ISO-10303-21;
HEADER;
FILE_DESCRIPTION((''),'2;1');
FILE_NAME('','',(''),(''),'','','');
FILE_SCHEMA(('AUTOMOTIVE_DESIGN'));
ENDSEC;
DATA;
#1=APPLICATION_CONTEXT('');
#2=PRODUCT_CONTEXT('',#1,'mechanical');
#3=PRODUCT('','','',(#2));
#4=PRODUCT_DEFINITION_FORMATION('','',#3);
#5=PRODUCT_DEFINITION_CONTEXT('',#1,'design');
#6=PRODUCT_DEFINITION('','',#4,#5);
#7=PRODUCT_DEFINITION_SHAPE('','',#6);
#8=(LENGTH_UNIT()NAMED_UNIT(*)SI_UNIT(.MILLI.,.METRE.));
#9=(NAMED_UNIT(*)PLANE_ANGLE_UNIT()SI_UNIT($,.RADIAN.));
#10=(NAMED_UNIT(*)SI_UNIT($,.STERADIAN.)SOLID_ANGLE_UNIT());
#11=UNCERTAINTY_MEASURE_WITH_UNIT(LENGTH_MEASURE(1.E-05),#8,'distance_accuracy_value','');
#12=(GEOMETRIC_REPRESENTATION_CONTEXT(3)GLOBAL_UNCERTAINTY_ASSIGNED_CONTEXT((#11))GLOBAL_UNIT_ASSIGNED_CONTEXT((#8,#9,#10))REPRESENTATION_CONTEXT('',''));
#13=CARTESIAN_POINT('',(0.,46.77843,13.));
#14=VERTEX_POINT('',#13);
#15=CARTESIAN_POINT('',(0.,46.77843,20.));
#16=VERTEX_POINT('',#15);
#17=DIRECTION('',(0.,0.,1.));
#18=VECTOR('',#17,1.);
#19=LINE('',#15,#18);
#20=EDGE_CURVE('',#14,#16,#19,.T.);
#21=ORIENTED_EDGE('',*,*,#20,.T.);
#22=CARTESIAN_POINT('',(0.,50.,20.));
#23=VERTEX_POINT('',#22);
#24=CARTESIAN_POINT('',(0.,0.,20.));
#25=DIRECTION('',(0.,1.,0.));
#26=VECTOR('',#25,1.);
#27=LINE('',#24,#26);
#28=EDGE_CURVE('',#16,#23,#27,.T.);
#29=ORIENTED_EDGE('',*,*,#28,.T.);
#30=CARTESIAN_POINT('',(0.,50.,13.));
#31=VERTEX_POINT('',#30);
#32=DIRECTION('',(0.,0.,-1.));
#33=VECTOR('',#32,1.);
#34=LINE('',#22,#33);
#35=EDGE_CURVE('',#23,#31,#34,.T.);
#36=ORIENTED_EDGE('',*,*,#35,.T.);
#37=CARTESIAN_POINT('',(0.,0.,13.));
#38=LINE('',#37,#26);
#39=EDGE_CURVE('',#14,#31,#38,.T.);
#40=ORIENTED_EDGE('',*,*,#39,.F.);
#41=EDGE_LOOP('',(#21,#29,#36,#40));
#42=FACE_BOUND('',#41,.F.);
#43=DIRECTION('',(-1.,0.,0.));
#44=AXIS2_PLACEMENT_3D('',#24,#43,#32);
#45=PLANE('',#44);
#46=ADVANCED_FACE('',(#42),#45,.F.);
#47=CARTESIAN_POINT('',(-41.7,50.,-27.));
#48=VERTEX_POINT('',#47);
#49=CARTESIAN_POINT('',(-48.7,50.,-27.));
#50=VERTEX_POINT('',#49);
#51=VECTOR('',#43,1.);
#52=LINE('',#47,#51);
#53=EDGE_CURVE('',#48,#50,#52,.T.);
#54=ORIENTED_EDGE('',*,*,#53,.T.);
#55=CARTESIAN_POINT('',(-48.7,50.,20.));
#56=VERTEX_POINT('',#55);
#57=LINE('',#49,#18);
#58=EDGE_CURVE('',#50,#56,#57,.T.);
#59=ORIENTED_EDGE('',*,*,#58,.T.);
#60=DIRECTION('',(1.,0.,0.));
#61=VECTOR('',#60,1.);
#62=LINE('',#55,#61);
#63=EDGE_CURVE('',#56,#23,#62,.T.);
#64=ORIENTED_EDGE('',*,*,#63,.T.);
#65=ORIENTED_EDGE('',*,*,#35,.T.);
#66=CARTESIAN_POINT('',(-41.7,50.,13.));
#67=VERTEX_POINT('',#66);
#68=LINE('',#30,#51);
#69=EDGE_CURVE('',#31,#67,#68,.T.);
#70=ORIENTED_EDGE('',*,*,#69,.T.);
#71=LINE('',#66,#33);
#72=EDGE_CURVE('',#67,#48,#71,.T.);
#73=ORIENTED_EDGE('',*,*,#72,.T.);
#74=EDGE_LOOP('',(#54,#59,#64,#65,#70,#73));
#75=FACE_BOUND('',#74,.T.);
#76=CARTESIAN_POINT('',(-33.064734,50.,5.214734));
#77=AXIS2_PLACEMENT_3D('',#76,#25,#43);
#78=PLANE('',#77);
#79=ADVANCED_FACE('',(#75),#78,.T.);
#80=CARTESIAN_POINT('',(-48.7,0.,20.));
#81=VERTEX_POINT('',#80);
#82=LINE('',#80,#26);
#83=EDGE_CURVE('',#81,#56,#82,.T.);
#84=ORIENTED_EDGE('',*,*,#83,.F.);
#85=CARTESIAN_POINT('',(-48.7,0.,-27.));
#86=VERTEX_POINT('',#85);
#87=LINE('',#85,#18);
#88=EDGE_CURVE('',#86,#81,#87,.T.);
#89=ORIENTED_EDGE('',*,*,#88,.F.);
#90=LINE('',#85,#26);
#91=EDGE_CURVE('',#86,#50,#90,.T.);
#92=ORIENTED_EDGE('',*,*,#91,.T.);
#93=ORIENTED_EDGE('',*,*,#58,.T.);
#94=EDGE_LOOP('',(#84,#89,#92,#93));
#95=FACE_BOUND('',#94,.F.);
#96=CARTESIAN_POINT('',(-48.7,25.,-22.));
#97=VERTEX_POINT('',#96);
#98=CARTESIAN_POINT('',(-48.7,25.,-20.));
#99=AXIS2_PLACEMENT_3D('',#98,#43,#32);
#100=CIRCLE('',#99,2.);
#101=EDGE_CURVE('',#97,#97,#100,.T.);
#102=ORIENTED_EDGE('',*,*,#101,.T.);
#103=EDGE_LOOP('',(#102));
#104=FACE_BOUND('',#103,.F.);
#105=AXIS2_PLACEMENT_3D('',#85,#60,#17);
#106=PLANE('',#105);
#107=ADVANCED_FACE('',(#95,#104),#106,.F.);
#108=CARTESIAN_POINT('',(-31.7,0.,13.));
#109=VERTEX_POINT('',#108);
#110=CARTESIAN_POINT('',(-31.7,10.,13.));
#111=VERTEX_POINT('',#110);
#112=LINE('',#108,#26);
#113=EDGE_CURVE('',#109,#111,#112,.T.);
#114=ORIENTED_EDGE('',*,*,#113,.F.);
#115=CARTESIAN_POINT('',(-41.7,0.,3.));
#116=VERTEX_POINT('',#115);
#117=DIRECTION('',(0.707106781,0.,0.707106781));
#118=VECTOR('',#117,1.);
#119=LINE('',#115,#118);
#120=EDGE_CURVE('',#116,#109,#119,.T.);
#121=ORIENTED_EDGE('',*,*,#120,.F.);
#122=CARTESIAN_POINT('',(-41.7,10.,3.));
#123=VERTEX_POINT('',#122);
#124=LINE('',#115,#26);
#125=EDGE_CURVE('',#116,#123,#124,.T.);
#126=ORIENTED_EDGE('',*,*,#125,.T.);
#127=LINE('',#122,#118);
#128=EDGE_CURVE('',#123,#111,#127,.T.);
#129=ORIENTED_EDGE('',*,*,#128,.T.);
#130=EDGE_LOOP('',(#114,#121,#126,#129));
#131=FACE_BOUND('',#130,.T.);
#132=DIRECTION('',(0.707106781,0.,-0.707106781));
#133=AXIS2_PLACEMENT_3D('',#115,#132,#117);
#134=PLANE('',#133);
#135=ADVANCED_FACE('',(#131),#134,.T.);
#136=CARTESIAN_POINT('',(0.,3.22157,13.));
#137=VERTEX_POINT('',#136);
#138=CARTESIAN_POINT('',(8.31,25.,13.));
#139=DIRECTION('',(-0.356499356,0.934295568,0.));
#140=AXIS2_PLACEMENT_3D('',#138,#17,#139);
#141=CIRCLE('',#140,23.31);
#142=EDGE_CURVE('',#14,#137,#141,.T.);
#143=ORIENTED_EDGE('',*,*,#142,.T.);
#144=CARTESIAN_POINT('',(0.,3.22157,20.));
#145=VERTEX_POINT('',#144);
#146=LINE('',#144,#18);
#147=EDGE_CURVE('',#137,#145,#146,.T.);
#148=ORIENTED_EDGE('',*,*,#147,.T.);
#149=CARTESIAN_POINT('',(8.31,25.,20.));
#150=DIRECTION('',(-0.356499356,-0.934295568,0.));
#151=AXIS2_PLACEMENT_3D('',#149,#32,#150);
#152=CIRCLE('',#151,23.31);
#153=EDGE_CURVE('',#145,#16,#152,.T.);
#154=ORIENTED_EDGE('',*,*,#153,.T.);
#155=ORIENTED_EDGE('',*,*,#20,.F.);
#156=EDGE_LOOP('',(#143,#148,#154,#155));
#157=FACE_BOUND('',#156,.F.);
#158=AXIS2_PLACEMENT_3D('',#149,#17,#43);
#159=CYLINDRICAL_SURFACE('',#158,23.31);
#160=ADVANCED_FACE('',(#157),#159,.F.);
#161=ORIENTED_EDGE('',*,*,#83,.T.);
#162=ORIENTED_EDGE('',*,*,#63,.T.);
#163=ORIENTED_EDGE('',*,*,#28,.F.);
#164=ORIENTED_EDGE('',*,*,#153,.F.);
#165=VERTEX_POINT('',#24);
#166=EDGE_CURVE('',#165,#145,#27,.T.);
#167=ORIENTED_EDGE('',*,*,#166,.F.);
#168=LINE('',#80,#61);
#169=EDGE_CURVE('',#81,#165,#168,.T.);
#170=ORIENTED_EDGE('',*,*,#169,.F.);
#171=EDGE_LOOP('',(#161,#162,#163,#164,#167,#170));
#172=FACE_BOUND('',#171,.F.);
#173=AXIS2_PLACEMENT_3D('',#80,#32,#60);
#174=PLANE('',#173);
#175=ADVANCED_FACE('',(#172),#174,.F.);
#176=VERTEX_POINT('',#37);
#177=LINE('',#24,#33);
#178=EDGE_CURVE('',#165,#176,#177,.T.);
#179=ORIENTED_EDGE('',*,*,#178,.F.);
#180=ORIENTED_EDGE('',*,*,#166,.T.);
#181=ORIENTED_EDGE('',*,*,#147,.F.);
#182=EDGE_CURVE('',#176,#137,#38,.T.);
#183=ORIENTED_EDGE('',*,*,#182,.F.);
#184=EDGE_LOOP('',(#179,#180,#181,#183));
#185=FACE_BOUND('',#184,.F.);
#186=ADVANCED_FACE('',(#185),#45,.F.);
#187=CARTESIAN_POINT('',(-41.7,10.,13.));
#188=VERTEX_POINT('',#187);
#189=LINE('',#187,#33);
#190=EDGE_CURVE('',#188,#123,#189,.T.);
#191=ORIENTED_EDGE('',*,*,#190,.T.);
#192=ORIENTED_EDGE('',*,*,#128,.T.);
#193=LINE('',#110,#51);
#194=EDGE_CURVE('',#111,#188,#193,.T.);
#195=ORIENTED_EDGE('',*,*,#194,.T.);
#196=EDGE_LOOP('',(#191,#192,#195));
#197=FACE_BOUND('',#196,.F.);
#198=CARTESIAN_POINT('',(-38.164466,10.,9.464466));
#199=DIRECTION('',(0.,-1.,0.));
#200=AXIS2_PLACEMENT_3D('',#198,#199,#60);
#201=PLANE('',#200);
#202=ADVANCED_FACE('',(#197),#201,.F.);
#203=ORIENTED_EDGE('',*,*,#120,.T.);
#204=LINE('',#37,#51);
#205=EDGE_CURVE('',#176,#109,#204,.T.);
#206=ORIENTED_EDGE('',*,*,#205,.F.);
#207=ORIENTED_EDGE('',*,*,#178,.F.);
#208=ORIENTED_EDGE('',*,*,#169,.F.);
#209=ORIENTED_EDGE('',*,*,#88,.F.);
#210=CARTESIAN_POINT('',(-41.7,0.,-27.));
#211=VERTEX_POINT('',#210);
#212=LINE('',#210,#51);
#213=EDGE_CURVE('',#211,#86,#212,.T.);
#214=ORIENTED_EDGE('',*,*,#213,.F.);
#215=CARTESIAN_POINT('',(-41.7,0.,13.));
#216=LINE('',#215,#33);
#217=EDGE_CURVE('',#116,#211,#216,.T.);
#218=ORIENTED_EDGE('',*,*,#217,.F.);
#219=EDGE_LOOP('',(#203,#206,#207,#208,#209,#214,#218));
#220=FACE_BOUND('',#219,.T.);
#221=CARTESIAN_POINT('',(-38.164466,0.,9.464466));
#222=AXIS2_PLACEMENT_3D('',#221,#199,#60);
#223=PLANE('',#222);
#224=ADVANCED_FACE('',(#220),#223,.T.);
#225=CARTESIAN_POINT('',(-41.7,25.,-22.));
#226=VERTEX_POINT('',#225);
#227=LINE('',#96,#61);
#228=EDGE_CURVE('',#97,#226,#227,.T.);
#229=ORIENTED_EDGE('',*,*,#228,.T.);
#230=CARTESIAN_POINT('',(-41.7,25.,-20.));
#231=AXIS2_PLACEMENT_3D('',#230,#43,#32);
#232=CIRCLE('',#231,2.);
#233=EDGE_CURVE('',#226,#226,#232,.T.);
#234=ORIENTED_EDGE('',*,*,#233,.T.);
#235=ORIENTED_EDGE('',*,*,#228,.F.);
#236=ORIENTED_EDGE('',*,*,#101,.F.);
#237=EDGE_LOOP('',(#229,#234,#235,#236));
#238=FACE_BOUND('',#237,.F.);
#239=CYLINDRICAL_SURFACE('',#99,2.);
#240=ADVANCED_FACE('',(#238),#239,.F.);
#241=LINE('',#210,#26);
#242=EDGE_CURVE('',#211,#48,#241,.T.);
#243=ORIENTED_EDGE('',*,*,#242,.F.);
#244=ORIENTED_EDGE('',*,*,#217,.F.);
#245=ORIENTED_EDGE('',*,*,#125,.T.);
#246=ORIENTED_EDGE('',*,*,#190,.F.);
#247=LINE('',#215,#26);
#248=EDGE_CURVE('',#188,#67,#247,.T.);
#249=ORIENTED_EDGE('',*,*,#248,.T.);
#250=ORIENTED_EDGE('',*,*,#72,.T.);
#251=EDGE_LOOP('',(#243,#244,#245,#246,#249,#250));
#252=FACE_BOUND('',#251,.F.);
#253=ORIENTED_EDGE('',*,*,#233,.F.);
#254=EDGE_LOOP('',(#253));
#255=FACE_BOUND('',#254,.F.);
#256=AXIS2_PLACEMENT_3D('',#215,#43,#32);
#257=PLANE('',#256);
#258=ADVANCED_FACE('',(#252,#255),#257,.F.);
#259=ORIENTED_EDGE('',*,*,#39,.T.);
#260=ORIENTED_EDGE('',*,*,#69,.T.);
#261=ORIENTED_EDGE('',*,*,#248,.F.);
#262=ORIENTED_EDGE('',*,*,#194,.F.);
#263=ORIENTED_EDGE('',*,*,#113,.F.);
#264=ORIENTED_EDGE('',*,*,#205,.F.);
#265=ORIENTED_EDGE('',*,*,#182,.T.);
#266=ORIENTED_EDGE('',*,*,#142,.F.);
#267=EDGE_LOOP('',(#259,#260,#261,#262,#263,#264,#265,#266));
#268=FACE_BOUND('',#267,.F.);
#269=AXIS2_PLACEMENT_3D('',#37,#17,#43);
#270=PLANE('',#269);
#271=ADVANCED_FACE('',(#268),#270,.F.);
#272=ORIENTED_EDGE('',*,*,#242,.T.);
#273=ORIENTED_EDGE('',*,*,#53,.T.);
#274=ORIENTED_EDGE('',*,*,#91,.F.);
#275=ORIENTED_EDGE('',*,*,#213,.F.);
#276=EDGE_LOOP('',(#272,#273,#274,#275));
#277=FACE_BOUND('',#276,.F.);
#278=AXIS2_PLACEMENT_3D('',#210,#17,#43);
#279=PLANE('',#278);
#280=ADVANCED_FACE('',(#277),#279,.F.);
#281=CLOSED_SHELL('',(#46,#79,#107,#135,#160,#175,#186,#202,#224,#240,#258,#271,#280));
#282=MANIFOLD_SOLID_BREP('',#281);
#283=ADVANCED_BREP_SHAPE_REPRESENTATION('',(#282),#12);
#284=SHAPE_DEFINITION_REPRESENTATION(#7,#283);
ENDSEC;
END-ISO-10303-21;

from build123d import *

# Parameters (mm, degrees)
PAD_DEPTH       = 50
SKETCH001_R     = 23.31
POCKET_DEPTH    = 7
SKETCH002_R     = 2
POCKET001_DEPTH = 7
PAD001_DEPTH    = 10


with BuildPart() as part:
    # Sketch → Pad (new body)
    with BuildSketch(Plane.XZ):
        Polygon((-41.7, -27), (-48.7, -27), (-48.7, 20), (0, 20), (0, 13), (-41.7, 13), align=None)
    extrude(amount=-PAD_DEPTH)

    # Sketch001 → Pocket (cut)
    with BuildSketch(Plane(origin=(0, 0, 20), x_dir=(-1, 0, 0), z_dir=(0, 0, 1))):
        with Locations((-8.31, -25)):
            Circle(SKETCH001_R)
    extrude(amount=-POCKET_DEPTH, mode=Mode.SUBTRACT)

    # Sketch002 → Pocket001 (cut)
    with BuildSketch(Plane(origin=(-48.7, 0, 0), x_dir=(0, 0, -1), z_dir=(-1, 0, 0))):
        with Locations((20, -25)):
            Circle(SKETCH002_R)
    extrude(amount=-POCKET001_DEPTH, mode=Mode.SUBTRACT)

    # Sketch003 → Pad001 (new body)
    with BuildSketch(Plane.XZ):
        Polygon((-41.7, 13), (-41.7, 3), (-31.7, 13), align=None)
    extrude(amount=-PAD001_DEPTH)


solid = part.part
